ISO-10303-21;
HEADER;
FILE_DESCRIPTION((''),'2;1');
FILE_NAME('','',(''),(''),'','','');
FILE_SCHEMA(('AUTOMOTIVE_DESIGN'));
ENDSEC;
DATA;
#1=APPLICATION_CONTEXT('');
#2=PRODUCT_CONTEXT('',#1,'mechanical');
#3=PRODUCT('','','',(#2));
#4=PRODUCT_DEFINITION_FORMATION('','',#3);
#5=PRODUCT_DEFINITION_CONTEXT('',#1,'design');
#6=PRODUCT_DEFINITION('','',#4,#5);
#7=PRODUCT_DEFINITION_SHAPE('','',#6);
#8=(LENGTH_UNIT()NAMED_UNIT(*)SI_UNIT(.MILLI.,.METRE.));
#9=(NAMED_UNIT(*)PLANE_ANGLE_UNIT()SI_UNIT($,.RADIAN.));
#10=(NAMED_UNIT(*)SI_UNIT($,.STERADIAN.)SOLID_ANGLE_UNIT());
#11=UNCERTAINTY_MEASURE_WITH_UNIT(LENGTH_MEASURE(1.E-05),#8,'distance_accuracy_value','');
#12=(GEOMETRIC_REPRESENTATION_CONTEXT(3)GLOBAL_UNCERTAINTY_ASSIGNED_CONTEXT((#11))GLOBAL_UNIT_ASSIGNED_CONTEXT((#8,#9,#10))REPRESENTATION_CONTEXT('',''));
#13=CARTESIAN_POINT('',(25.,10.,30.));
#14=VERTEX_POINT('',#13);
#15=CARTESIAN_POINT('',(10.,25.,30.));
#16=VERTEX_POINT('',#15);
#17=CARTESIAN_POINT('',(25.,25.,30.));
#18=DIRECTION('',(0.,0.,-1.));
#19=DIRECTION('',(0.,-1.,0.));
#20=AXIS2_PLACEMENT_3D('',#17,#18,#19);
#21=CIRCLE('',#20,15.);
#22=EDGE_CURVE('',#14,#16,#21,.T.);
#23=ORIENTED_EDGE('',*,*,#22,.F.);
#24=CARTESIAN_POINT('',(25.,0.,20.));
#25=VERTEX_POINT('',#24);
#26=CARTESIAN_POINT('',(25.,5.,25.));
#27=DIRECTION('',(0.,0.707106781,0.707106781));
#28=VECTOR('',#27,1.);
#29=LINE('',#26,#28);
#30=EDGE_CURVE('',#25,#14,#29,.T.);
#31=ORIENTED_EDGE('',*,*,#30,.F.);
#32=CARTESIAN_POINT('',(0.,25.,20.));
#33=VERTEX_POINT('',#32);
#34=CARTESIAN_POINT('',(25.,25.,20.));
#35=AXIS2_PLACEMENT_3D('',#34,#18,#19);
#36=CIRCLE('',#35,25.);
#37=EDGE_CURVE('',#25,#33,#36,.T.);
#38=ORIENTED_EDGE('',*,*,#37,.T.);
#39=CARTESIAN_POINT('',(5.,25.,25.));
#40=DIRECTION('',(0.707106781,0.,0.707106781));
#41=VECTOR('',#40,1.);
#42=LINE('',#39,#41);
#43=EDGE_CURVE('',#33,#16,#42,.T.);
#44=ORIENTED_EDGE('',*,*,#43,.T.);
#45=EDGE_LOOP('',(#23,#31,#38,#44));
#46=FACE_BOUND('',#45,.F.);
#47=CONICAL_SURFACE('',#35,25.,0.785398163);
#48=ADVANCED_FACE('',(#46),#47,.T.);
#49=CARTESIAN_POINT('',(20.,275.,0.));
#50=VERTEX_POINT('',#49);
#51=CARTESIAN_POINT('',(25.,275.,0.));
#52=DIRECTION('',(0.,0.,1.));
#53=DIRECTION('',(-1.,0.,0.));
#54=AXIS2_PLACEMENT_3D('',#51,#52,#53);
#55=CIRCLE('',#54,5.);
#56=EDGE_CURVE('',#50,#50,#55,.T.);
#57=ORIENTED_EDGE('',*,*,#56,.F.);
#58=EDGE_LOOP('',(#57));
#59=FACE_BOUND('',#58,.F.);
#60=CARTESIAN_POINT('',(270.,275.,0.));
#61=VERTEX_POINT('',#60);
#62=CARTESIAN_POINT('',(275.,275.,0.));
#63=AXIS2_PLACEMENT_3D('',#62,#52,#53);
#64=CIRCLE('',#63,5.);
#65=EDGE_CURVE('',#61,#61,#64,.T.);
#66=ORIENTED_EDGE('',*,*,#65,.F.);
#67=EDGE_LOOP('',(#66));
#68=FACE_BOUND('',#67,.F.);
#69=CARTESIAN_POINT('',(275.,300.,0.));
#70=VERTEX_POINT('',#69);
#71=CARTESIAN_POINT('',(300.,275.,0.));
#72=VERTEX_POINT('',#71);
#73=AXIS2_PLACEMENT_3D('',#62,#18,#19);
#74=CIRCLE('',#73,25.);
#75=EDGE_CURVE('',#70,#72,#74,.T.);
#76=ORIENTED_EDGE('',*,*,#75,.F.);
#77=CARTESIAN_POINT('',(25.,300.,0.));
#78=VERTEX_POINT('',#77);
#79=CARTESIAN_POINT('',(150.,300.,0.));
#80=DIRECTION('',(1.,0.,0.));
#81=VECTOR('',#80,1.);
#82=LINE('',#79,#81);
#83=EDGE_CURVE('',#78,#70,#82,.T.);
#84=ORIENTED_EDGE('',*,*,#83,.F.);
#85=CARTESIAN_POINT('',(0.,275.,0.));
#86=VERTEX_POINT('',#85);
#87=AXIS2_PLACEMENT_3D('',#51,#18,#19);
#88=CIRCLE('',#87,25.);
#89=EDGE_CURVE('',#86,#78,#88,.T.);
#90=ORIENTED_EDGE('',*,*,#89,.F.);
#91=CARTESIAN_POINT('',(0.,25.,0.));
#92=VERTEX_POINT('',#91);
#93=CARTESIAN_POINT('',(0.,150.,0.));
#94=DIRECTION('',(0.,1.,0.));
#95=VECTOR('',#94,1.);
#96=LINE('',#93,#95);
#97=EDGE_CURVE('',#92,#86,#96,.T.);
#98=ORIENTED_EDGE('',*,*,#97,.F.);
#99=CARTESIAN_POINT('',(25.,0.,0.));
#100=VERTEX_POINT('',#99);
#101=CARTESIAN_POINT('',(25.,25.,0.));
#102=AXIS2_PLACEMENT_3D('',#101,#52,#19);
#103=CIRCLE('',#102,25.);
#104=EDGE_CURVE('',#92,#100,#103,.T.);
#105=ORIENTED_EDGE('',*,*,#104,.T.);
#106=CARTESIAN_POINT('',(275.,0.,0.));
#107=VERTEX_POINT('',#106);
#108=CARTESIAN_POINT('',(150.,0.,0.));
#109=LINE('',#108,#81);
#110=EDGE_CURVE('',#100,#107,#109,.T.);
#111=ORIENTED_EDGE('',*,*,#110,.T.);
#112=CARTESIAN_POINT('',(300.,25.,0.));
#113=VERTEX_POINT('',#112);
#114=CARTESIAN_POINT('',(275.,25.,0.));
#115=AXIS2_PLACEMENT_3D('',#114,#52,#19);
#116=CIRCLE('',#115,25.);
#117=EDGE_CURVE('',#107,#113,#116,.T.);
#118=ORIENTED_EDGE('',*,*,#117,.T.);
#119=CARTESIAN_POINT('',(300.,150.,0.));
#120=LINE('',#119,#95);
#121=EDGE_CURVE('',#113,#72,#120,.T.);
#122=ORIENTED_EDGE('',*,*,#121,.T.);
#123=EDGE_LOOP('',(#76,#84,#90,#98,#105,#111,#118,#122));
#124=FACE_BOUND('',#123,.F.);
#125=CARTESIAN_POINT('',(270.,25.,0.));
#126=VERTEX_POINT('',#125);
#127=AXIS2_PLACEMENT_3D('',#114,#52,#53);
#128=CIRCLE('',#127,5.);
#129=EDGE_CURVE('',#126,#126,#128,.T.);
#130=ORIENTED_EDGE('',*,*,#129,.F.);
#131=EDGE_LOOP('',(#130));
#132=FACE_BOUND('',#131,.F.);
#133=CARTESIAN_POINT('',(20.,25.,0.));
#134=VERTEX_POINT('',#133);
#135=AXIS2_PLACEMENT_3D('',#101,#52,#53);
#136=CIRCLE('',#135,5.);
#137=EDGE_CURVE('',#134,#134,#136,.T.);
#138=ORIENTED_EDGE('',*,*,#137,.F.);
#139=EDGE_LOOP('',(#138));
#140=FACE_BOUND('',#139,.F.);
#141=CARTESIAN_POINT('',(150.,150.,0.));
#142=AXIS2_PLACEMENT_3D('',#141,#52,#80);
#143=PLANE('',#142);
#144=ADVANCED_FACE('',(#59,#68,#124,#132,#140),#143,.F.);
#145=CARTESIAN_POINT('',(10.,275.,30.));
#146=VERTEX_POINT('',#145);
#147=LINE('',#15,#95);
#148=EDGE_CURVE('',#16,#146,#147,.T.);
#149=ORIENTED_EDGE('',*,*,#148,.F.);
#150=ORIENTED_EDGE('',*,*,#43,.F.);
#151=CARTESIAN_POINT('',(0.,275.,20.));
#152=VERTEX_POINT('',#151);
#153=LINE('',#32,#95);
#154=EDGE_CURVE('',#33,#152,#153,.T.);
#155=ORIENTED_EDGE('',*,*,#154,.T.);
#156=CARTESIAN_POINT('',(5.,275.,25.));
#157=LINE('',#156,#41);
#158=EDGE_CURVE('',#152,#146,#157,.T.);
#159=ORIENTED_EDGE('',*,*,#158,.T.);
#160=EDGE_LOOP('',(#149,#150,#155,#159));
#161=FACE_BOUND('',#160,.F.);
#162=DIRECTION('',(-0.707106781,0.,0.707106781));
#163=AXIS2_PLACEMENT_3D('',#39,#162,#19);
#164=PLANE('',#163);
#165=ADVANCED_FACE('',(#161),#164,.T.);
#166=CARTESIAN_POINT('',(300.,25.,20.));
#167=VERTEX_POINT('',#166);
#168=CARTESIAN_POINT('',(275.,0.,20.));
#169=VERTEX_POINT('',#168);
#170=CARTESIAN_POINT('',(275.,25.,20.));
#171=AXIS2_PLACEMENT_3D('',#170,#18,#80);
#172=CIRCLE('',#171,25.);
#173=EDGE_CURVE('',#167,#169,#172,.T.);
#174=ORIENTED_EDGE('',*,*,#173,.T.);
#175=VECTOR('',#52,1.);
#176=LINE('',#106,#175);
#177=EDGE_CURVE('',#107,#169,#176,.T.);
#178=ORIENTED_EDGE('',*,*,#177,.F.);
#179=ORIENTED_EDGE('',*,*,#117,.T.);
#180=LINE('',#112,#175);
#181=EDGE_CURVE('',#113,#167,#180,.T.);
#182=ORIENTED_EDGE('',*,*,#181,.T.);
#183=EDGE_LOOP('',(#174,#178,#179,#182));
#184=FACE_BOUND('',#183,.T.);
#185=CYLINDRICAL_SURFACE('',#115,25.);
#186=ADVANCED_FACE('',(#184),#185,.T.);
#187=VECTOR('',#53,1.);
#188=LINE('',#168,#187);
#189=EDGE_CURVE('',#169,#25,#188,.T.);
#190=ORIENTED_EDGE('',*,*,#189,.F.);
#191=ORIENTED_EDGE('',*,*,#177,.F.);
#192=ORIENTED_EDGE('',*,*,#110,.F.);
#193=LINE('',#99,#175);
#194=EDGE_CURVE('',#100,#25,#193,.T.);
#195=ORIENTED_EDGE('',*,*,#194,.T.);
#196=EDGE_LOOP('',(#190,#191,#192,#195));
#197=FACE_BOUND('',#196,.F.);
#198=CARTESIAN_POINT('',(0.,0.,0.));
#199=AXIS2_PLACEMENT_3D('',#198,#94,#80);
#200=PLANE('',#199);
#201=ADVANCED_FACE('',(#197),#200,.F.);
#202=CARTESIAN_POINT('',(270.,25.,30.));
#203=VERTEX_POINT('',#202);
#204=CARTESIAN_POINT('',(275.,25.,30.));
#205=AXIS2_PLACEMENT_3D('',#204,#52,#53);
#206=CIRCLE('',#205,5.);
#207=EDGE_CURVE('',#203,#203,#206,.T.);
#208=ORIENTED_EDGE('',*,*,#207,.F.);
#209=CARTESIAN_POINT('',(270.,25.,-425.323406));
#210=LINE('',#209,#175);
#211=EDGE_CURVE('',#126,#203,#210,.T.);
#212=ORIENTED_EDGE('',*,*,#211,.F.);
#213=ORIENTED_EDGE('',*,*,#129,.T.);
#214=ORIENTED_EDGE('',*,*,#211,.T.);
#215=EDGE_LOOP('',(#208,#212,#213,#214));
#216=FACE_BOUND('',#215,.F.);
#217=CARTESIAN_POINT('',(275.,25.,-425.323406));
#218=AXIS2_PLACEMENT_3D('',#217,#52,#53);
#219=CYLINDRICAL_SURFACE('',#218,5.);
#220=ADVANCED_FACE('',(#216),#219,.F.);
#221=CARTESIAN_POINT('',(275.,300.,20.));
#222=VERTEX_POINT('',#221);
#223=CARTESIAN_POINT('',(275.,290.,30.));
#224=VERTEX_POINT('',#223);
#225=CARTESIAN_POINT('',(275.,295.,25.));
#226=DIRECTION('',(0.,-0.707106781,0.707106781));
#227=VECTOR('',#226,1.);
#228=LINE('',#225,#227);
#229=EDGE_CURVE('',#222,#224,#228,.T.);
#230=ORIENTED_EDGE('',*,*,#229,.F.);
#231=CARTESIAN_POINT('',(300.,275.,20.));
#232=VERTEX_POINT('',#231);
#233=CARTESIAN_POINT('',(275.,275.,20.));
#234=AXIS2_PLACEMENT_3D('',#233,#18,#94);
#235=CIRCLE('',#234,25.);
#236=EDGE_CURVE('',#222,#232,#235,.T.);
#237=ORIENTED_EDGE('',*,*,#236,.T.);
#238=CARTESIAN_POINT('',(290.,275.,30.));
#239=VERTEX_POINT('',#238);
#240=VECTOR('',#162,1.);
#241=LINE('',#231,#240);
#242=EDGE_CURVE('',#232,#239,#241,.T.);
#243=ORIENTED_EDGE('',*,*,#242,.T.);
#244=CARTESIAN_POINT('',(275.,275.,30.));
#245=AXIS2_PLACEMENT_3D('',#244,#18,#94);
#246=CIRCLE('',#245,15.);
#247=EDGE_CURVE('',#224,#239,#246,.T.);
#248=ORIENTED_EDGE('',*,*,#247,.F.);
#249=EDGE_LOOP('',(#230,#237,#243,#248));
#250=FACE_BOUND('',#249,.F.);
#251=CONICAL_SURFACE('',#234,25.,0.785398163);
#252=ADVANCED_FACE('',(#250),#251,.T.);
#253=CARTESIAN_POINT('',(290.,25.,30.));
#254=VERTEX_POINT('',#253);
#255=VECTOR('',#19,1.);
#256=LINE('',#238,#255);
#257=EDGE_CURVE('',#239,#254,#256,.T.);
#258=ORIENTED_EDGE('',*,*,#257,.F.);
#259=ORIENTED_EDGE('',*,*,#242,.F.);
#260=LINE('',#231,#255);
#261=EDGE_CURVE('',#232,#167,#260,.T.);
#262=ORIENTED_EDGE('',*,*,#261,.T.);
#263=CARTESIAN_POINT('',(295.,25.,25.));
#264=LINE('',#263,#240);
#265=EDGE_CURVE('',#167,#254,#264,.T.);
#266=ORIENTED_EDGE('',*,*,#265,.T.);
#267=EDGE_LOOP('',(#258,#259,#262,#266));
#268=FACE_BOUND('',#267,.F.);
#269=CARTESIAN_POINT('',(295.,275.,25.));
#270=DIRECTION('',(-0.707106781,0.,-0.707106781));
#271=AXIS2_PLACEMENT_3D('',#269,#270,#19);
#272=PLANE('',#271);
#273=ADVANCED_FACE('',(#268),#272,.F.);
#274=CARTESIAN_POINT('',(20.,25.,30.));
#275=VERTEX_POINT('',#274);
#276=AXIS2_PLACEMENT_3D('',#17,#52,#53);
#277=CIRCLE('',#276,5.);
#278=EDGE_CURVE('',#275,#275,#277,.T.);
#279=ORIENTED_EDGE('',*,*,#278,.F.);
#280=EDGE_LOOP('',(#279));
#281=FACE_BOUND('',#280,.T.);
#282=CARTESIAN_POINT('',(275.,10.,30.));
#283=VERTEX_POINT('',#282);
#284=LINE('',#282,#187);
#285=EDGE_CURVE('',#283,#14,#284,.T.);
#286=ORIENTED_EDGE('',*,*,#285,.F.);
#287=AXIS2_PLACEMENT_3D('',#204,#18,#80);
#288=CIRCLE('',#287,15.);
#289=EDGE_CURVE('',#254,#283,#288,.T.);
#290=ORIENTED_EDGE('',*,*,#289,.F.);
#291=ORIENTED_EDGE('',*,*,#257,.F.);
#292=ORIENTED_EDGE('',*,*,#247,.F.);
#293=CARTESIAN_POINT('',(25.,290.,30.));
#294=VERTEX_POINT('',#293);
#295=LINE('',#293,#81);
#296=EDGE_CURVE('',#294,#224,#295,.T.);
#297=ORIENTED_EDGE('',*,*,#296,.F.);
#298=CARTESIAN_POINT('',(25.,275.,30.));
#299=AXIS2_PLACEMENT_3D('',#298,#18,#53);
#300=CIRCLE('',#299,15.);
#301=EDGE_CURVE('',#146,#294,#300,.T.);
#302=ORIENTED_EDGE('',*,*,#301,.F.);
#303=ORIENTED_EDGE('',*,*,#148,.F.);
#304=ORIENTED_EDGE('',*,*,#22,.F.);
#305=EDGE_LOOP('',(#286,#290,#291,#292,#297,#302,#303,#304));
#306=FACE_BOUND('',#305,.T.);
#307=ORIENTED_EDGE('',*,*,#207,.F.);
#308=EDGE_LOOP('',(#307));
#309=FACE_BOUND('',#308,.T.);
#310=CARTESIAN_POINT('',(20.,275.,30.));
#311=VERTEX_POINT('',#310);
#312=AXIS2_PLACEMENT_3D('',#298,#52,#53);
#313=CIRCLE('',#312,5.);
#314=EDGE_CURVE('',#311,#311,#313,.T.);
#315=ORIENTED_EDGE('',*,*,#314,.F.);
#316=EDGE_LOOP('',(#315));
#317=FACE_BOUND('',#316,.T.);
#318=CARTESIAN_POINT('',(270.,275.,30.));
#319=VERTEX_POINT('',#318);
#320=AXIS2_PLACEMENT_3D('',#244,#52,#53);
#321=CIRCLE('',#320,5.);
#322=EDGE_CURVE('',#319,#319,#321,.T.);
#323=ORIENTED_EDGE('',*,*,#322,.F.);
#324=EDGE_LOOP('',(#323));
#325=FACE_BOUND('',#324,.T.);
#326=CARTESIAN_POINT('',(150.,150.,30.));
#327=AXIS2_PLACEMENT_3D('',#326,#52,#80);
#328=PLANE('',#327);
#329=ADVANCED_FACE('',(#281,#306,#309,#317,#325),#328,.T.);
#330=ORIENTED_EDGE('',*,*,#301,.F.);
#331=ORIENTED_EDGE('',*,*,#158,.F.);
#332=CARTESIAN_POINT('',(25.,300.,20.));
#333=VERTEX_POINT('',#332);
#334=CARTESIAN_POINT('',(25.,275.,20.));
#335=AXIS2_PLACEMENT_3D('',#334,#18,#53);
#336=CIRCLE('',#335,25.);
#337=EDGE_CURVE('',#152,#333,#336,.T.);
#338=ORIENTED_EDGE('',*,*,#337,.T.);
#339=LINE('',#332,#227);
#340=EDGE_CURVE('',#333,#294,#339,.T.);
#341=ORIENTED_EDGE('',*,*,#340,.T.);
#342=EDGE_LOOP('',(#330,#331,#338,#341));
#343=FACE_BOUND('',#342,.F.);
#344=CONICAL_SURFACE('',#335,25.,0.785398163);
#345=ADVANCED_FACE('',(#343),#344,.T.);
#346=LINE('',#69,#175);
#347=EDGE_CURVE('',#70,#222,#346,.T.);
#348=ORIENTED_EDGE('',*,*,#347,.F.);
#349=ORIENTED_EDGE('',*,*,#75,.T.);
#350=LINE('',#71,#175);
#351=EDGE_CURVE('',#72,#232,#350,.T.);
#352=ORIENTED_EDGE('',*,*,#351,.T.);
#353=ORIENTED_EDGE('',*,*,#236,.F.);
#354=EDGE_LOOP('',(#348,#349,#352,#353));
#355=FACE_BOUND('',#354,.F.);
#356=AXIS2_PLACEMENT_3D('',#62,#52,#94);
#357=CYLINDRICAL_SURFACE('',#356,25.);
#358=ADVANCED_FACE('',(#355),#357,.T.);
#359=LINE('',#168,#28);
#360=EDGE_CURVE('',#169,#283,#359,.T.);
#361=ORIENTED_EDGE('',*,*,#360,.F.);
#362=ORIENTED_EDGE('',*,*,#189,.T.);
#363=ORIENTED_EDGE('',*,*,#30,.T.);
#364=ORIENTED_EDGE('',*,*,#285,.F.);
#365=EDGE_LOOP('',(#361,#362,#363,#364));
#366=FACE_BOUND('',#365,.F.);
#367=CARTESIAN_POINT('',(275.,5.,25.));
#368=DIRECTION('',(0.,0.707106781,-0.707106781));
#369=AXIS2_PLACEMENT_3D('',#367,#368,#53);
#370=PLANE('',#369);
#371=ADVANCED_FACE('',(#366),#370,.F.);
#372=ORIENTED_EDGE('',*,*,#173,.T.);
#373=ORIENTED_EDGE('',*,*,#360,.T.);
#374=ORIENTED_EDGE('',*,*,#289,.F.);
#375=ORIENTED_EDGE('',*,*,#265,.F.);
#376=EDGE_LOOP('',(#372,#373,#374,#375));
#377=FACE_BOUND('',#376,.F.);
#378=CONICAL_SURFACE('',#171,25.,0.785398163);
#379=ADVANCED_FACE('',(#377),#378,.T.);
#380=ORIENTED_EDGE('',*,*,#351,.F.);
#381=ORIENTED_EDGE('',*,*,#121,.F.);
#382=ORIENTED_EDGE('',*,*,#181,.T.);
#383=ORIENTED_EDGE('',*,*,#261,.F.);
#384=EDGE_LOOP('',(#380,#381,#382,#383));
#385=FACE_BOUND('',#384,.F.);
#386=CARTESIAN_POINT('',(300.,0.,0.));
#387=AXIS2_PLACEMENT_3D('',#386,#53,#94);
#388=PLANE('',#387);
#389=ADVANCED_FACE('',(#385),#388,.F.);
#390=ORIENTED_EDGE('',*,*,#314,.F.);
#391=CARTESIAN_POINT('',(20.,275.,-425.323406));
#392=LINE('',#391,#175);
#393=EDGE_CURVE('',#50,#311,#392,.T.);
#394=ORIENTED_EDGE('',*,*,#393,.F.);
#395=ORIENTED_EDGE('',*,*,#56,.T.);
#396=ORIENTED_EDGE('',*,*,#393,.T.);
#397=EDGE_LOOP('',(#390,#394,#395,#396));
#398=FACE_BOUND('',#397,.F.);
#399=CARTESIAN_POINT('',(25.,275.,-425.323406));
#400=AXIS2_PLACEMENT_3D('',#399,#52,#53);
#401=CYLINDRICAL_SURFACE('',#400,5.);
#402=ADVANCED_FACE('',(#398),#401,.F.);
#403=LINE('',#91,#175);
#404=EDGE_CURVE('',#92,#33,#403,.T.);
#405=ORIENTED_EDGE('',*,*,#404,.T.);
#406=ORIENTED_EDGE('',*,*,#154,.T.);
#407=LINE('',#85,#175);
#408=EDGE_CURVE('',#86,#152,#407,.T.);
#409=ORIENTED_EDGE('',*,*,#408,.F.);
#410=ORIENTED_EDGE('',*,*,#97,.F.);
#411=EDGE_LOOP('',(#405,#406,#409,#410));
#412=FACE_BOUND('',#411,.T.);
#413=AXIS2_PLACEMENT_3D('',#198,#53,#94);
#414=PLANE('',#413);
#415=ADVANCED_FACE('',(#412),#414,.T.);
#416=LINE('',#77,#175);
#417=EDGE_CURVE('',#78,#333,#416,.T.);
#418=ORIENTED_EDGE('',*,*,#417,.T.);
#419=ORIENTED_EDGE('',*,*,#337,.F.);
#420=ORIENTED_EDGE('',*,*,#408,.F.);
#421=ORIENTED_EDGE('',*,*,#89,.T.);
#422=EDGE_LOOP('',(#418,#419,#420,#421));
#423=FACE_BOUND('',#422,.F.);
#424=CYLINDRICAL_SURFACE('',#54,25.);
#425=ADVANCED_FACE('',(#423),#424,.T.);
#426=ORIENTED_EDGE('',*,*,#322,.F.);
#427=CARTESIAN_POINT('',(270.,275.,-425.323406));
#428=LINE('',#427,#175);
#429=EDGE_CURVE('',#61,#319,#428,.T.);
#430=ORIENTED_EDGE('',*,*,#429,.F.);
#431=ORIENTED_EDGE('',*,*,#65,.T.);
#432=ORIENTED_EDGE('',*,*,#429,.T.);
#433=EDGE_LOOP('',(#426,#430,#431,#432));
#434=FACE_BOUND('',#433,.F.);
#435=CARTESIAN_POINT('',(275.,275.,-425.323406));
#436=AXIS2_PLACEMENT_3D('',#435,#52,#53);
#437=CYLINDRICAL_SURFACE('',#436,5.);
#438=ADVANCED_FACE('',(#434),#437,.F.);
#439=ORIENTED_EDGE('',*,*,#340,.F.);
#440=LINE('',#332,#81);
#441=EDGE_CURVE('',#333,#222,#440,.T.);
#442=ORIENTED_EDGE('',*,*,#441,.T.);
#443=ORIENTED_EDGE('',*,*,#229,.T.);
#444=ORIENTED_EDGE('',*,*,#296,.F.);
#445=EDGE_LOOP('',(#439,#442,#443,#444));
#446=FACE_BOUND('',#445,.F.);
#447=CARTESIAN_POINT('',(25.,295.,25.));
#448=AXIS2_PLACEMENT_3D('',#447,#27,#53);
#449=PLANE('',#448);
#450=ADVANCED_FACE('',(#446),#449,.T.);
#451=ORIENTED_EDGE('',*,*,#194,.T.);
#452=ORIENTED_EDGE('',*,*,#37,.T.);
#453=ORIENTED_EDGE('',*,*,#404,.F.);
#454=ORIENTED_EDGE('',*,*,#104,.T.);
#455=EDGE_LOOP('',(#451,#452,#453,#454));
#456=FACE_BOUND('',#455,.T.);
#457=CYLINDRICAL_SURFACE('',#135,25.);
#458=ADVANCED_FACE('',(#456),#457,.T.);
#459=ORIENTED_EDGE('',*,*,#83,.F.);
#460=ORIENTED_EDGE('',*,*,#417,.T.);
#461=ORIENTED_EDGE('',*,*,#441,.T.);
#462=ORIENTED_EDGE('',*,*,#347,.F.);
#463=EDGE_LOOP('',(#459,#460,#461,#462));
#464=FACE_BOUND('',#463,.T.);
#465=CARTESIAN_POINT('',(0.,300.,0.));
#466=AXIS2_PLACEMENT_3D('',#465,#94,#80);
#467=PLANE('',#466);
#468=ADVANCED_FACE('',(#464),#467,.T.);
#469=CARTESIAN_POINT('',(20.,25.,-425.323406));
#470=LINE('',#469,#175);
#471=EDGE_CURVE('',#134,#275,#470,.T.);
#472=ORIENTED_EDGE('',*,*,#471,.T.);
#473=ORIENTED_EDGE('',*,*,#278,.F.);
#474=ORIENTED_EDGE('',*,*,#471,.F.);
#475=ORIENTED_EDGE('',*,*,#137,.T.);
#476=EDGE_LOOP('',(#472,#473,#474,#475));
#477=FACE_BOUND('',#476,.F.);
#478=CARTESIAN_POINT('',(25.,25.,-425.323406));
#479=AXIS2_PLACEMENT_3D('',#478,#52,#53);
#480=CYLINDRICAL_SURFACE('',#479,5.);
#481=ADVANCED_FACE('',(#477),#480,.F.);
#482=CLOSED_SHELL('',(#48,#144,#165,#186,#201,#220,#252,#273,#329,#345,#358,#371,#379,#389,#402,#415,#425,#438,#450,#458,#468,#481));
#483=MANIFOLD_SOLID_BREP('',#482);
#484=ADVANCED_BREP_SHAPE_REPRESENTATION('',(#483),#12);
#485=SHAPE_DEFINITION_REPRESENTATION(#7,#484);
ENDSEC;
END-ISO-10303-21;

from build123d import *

# Parameters (mm, degrees)
F0_W     = 300
F0_H     = 300
F1_DEPTH = 30
F2_D     = 10
F3_R     = 25
F4_SIZE2 = 10
F4_SIZE  = 10


with BuildPart() as f1:
    # F0 (on Top) → F1 (new body)
    with BuildSketch(Plane.XY):
        with Locations((150, 150)):
            Rectangle(F0_W, F0_H)
    extrude(amount=F1_DEPTH)

    # F2 (through all)
    with Locations(Plane(origin=(0, 0, 0), x_dir=(1, 0, 0), z_dir=(0, 0, -1))):
        with Locations((275, -275), (25, -275), (275, -25), (25, -25)):
            Hole(F2_D / 2)

    # F3
    f3_edges = [f1.edges().sort_by_distance(p)[0] for p in [
        (0, 300, 15),
        (0, 0, 15),
        (300, 0, 15),
        (300, 300, 15),
    ]]
    fillet(f3_edges, radius=F3_R)

    # F4
    f4_edges = [f1.edges().sort_by_distance(p)[0] for p in [
        (0, 150, 30),
    ]]
    chamfer(f4_edges, length=F4_SIZE, length2=F4_SIZE2)


solid = f1.part
